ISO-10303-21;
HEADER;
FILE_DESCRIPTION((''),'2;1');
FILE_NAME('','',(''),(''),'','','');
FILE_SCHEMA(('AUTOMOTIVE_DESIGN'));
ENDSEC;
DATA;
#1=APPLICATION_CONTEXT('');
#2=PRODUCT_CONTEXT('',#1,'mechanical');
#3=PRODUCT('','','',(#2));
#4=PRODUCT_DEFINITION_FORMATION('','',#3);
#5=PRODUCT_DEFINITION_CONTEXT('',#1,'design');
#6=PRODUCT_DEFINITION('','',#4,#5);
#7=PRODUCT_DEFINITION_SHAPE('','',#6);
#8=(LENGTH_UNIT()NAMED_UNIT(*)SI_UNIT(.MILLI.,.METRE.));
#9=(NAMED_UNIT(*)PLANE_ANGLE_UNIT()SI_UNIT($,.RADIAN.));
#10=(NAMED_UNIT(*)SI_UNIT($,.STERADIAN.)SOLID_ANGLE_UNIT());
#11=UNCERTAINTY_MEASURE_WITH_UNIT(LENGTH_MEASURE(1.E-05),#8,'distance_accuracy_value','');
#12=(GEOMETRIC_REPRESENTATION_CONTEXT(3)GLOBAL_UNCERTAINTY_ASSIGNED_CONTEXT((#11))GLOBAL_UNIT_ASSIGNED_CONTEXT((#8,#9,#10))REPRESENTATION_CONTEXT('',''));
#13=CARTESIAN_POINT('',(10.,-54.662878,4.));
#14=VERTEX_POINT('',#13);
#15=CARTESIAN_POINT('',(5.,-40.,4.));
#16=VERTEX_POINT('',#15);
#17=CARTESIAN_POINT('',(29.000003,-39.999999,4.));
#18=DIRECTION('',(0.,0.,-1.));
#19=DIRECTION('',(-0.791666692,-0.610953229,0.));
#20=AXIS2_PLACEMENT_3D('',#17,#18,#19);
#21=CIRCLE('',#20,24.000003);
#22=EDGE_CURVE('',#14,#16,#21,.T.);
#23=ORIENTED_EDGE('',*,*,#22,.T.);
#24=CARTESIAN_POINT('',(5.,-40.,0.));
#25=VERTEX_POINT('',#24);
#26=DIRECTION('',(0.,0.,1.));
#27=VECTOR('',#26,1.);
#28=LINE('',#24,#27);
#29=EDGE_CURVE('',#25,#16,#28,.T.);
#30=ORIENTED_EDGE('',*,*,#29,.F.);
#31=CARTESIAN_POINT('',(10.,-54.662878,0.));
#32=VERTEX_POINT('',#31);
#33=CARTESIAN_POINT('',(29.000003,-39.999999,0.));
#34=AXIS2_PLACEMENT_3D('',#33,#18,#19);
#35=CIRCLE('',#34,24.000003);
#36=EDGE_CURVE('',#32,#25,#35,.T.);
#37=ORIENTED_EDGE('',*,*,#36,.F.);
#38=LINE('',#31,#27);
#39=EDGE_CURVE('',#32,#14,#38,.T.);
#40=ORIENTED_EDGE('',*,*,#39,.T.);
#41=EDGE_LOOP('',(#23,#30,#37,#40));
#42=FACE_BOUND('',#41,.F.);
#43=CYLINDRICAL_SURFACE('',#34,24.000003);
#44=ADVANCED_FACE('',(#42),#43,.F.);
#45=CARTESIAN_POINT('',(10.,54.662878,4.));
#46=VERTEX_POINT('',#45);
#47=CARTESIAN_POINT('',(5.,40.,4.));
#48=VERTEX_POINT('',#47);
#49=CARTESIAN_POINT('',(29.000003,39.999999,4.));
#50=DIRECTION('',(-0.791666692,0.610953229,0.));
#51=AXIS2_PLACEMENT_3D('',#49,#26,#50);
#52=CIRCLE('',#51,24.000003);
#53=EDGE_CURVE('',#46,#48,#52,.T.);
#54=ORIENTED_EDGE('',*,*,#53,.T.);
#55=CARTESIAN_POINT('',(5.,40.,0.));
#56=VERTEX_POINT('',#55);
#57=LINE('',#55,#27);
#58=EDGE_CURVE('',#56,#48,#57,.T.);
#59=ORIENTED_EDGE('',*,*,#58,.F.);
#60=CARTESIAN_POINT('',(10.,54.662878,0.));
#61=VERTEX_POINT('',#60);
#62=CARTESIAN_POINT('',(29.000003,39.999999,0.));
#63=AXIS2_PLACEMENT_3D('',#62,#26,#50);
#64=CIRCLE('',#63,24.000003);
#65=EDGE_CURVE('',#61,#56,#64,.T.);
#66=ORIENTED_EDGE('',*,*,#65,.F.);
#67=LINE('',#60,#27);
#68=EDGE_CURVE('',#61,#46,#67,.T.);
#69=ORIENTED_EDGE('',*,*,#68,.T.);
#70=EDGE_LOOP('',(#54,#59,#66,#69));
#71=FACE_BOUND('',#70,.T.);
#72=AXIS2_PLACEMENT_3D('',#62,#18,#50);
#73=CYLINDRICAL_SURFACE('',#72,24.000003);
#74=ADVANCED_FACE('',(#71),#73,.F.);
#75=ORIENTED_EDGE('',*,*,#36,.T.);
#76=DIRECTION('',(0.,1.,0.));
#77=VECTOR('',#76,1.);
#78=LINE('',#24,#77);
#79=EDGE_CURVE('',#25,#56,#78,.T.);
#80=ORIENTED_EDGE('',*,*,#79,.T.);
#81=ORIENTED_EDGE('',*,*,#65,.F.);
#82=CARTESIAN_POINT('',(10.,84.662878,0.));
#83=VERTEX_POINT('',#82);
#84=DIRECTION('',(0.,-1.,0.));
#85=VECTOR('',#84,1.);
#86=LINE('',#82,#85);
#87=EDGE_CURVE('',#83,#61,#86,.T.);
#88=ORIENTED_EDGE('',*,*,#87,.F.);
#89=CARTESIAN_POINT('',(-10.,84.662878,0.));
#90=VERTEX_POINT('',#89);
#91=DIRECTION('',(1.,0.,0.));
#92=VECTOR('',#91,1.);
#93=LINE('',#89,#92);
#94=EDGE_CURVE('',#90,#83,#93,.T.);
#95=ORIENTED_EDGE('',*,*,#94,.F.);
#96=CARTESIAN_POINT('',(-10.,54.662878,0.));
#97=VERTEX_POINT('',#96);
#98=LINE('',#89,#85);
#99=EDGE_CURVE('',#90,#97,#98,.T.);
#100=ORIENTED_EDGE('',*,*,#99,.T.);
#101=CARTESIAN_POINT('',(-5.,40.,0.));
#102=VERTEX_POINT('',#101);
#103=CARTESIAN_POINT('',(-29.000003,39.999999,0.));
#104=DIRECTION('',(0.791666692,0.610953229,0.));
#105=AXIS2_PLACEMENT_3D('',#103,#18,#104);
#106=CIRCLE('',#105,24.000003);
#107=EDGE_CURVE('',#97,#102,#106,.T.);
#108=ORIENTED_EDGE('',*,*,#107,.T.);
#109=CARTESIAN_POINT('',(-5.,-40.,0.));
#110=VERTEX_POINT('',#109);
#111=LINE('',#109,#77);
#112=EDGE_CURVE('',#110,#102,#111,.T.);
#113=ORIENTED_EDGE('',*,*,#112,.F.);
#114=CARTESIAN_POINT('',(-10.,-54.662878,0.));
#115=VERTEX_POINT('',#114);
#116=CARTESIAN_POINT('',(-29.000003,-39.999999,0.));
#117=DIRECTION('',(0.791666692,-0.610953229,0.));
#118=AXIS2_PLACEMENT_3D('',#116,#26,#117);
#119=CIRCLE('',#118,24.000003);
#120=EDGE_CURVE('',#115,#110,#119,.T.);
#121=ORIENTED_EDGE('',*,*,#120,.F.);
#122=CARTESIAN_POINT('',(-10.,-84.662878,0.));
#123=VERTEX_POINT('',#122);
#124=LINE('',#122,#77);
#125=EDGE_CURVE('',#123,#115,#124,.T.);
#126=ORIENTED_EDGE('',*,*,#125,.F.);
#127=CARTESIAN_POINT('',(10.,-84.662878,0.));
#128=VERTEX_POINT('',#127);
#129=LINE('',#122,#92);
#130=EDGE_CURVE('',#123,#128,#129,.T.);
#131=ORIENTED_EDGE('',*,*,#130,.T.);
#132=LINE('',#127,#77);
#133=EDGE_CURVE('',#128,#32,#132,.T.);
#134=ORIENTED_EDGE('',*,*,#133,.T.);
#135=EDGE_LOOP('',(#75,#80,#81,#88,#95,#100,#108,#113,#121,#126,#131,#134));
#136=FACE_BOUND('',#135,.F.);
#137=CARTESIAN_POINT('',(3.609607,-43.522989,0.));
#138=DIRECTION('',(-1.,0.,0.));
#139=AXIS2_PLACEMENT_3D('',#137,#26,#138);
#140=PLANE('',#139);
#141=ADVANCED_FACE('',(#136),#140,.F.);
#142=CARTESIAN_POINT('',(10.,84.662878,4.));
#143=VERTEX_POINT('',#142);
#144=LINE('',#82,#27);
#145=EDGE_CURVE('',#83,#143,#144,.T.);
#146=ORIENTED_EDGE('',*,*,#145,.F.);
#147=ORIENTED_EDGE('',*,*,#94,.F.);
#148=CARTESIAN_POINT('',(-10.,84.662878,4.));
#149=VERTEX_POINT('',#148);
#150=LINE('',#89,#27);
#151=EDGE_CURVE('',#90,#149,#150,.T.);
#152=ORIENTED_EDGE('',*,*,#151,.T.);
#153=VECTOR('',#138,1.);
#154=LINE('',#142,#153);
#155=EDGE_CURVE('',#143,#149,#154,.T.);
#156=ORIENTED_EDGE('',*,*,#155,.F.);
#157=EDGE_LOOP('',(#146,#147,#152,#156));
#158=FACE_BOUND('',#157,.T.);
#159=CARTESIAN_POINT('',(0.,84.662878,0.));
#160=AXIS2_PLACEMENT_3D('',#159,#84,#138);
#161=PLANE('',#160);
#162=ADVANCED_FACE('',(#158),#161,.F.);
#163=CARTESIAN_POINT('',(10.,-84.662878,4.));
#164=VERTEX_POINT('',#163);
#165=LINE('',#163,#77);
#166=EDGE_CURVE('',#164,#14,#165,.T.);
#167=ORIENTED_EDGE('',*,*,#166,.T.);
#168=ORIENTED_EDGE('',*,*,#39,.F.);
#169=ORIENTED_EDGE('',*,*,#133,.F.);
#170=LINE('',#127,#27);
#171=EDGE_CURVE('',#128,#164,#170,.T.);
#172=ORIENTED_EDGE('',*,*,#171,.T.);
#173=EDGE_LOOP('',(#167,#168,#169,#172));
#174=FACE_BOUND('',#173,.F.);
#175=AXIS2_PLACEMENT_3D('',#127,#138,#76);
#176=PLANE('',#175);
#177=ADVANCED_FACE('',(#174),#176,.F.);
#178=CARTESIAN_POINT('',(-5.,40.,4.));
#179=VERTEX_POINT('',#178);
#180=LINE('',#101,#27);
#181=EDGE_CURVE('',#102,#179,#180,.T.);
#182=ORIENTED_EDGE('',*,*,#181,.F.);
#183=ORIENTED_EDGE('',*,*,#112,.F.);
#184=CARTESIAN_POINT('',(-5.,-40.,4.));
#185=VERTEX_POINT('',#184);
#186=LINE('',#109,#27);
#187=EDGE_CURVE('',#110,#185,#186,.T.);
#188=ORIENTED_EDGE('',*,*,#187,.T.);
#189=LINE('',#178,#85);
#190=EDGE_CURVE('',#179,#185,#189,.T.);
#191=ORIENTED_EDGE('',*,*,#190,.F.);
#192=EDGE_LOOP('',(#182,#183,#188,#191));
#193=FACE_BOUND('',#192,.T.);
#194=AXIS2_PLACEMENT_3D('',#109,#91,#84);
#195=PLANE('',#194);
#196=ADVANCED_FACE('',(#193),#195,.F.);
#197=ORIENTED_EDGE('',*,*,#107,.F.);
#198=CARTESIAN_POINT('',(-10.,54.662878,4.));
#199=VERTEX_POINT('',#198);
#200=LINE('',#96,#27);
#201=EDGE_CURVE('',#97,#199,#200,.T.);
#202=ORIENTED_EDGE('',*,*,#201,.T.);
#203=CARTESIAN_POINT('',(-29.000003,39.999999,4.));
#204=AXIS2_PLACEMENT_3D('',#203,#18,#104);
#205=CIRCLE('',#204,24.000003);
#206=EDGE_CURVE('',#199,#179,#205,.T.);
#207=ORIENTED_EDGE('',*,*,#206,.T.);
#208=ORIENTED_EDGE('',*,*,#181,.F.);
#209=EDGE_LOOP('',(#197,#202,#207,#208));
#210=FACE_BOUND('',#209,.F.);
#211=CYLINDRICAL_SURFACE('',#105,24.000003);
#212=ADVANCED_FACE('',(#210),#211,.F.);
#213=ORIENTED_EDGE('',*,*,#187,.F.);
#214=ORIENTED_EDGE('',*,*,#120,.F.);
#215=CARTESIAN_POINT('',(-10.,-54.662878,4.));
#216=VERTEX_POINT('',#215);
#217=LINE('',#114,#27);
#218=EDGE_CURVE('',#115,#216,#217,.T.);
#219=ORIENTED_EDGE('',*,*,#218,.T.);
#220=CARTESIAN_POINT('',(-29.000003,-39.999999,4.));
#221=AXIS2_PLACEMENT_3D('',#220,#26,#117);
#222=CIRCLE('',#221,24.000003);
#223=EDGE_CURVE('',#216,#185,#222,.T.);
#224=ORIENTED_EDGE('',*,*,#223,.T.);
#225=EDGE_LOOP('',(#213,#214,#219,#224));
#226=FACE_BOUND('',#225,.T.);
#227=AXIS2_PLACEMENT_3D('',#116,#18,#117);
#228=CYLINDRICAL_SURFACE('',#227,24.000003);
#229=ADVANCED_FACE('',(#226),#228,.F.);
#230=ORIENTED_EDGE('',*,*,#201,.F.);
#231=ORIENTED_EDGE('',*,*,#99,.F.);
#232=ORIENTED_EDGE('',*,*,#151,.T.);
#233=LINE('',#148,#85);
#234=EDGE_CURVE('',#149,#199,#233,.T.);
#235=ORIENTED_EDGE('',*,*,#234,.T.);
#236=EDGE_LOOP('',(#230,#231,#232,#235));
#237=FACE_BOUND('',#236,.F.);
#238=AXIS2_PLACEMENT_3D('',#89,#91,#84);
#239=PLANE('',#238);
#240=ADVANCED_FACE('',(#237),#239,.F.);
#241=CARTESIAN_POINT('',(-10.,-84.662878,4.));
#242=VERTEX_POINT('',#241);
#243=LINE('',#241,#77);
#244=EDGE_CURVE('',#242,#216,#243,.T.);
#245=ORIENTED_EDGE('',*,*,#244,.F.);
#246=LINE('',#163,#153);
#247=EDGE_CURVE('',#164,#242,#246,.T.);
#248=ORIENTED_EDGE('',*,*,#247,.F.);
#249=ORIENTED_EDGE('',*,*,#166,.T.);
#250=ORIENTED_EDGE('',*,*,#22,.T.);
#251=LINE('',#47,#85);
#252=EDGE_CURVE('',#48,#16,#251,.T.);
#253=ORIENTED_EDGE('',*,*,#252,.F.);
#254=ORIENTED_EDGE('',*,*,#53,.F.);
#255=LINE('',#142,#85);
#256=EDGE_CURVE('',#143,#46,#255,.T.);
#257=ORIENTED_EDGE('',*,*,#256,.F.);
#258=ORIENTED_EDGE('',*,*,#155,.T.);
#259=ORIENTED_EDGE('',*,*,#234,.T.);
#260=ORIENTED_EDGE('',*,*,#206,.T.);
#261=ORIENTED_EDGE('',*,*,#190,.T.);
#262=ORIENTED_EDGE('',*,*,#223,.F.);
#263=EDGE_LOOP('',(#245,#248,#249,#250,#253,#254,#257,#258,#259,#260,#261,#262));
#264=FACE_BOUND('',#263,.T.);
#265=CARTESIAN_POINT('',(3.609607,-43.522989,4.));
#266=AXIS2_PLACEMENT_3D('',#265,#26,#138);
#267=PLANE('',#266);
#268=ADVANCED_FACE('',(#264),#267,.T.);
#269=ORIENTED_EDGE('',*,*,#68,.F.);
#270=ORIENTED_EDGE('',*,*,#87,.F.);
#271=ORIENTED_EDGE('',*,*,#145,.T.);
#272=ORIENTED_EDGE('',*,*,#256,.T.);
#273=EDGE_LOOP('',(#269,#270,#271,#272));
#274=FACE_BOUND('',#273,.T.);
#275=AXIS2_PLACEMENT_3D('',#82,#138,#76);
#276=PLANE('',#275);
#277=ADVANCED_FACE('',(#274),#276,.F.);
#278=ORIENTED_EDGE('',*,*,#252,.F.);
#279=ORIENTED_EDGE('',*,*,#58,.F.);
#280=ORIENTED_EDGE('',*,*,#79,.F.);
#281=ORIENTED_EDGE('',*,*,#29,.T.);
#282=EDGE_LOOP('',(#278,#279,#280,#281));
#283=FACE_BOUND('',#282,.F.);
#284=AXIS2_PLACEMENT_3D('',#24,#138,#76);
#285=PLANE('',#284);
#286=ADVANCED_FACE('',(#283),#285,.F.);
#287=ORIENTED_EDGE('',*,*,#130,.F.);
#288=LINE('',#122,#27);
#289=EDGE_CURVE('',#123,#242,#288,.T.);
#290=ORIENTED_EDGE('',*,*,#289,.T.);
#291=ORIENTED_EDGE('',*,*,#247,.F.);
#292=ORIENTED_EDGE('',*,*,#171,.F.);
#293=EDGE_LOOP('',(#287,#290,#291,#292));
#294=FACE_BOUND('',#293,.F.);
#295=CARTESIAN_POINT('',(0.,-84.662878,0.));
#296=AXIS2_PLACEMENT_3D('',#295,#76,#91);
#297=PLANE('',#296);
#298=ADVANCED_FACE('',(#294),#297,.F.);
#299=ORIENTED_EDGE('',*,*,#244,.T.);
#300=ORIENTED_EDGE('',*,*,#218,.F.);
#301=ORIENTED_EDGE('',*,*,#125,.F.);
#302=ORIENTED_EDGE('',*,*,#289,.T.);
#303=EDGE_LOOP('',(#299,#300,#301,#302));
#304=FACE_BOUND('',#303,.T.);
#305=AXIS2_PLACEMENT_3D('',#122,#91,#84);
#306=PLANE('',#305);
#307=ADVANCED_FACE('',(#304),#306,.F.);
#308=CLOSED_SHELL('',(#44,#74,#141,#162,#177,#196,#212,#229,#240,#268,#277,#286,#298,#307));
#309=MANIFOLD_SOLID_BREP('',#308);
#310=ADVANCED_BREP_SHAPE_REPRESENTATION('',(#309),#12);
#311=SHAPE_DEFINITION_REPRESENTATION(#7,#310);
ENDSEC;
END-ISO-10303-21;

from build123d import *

# Parameters (mm, degrees)
F1_DEPTH = 4


with BuildPart() as f1:
    # F0 (on Top) → F1 (new body)
    with BuildSketch(Plane.XY):
        with BuildLine():
            Line((-5, 40), (-5, 0))
            Line((-5, 0), (0, 0))
            Line((0, 0), (0, 84.662878))
            Line((0, 84.662878), (-10, 84.662878))
            Line((-10, 84.662878), (-10, 54.662878))
            ThreePointArc((-10, 54.662878), (-6.284367, 47.745967), (-5, 40))
        make_face()
    extrude(amount=F1_DEPTH)

    # F2: F1 across face


with BuildPart() as f1_1:
    add(f1.part)
    add(f1.part.mirror(Plane(origin=(0, 42.331439, 2), x_dir=(0, 1, 0), z_dir=(1, 0, 0))))

    # F3: F1 across face


with BuildPart() as f1_2:
    add(f1_1.part)
    add(f1_1.part.mirror(Plane(origin=(0, 0, 2), x_dir=(1, 0, 0), z_dir=(0, -1, 0))))


solid = f1_2.part
